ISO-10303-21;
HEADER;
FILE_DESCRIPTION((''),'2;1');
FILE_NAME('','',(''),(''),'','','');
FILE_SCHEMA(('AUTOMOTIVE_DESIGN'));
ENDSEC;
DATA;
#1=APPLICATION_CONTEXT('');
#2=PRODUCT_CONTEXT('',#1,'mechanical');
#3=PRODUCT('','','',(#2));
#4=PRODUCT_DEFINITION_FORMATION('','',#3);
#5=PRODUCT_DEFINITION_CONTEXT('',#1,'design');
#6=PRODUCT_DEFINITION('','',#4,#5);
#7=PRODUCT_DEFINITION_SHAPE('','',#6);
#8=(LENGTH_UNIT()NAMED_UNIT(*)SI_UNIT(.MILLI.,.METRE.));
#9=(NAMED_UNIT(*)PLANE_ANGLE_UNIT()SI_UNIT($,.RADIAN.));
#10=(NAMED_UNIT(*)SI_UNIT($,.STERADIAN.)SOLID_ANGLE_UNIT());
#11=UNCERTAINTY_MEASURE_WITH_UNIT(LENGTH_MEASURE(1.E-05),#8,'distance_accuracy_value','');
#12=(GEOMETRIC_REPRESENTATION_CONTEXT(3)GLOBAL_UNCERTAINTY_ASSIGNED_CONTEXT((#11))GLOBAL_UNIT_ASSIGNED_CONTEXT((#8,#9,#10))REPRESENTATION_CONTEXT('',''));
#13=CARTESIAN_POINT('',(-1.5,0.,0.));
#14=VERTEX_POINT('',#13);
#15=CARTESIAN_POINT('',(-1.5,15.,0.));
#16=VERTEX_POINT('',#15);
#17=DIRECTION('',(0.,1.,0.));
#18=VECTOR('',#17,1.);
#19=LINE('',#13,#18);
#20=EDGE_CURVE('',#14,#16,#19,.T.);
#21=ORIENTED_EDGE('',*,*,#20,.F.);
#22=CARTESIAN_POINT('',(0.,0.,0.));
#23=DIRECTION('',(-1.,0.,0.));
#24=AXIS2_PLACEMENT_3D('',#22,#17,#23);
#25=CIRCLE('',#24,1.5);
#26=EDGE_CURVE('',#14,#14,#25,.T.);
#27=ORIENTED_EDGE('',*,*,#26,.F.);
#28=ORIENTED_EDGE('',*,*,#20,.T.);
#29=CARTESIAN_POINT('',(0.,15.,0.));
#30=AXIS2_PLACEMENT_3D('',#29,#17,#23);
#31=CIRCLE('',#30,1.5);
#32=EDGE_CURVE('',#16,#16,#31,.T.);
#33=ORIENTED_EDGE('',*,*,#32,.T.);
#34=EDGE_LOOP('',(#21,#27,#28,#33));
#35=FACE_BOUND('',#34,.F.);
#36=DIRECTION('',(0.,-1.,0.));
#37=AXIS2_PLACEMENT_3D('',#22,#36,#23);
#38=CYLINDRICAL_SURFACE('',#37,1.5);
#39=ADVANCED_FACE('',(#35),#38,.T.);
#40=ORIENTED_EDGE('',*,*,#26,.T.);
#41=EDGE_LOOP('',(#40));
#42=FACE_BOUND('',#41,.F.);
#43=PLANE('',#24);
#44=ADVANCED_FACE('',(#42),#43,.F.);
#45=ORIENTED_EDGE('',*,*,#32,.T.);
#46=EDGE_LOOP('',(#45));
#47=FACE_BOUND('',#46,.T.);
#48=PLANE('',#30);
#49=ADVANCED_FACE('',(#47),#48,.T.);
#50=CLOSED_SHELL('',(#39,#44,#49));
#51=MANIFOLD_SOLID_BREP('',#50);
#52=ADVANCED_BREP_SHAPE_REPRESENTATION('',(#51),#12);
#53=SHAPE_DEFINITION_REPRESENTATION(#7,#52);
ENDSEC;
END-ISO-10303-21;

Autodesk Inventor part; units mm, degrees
ref_plane "YZ Plane" through (0, 0, 0) normal (1, 0, 0) x (0, 1, 0)
ref_plane "XZ Plane" through (0, 0, 0) normal (0, 1, 0) x (-1, 0, 0)
ref_plane "XY Plane" through (0, 0, 0) normal (0, 0, 1) x (1, 0, 0)
sketch "Sketch1" plane through (0, 0, 0) normal (0, 1, 0) x (-1, 0, 0)
  circle A0 centre (0, 0) radius 1.5
  dimension "d0" = 3
extrude "Extrusion1" add sketch "Sketch1" along normal blind 15
properties part number "pin_3_15"
